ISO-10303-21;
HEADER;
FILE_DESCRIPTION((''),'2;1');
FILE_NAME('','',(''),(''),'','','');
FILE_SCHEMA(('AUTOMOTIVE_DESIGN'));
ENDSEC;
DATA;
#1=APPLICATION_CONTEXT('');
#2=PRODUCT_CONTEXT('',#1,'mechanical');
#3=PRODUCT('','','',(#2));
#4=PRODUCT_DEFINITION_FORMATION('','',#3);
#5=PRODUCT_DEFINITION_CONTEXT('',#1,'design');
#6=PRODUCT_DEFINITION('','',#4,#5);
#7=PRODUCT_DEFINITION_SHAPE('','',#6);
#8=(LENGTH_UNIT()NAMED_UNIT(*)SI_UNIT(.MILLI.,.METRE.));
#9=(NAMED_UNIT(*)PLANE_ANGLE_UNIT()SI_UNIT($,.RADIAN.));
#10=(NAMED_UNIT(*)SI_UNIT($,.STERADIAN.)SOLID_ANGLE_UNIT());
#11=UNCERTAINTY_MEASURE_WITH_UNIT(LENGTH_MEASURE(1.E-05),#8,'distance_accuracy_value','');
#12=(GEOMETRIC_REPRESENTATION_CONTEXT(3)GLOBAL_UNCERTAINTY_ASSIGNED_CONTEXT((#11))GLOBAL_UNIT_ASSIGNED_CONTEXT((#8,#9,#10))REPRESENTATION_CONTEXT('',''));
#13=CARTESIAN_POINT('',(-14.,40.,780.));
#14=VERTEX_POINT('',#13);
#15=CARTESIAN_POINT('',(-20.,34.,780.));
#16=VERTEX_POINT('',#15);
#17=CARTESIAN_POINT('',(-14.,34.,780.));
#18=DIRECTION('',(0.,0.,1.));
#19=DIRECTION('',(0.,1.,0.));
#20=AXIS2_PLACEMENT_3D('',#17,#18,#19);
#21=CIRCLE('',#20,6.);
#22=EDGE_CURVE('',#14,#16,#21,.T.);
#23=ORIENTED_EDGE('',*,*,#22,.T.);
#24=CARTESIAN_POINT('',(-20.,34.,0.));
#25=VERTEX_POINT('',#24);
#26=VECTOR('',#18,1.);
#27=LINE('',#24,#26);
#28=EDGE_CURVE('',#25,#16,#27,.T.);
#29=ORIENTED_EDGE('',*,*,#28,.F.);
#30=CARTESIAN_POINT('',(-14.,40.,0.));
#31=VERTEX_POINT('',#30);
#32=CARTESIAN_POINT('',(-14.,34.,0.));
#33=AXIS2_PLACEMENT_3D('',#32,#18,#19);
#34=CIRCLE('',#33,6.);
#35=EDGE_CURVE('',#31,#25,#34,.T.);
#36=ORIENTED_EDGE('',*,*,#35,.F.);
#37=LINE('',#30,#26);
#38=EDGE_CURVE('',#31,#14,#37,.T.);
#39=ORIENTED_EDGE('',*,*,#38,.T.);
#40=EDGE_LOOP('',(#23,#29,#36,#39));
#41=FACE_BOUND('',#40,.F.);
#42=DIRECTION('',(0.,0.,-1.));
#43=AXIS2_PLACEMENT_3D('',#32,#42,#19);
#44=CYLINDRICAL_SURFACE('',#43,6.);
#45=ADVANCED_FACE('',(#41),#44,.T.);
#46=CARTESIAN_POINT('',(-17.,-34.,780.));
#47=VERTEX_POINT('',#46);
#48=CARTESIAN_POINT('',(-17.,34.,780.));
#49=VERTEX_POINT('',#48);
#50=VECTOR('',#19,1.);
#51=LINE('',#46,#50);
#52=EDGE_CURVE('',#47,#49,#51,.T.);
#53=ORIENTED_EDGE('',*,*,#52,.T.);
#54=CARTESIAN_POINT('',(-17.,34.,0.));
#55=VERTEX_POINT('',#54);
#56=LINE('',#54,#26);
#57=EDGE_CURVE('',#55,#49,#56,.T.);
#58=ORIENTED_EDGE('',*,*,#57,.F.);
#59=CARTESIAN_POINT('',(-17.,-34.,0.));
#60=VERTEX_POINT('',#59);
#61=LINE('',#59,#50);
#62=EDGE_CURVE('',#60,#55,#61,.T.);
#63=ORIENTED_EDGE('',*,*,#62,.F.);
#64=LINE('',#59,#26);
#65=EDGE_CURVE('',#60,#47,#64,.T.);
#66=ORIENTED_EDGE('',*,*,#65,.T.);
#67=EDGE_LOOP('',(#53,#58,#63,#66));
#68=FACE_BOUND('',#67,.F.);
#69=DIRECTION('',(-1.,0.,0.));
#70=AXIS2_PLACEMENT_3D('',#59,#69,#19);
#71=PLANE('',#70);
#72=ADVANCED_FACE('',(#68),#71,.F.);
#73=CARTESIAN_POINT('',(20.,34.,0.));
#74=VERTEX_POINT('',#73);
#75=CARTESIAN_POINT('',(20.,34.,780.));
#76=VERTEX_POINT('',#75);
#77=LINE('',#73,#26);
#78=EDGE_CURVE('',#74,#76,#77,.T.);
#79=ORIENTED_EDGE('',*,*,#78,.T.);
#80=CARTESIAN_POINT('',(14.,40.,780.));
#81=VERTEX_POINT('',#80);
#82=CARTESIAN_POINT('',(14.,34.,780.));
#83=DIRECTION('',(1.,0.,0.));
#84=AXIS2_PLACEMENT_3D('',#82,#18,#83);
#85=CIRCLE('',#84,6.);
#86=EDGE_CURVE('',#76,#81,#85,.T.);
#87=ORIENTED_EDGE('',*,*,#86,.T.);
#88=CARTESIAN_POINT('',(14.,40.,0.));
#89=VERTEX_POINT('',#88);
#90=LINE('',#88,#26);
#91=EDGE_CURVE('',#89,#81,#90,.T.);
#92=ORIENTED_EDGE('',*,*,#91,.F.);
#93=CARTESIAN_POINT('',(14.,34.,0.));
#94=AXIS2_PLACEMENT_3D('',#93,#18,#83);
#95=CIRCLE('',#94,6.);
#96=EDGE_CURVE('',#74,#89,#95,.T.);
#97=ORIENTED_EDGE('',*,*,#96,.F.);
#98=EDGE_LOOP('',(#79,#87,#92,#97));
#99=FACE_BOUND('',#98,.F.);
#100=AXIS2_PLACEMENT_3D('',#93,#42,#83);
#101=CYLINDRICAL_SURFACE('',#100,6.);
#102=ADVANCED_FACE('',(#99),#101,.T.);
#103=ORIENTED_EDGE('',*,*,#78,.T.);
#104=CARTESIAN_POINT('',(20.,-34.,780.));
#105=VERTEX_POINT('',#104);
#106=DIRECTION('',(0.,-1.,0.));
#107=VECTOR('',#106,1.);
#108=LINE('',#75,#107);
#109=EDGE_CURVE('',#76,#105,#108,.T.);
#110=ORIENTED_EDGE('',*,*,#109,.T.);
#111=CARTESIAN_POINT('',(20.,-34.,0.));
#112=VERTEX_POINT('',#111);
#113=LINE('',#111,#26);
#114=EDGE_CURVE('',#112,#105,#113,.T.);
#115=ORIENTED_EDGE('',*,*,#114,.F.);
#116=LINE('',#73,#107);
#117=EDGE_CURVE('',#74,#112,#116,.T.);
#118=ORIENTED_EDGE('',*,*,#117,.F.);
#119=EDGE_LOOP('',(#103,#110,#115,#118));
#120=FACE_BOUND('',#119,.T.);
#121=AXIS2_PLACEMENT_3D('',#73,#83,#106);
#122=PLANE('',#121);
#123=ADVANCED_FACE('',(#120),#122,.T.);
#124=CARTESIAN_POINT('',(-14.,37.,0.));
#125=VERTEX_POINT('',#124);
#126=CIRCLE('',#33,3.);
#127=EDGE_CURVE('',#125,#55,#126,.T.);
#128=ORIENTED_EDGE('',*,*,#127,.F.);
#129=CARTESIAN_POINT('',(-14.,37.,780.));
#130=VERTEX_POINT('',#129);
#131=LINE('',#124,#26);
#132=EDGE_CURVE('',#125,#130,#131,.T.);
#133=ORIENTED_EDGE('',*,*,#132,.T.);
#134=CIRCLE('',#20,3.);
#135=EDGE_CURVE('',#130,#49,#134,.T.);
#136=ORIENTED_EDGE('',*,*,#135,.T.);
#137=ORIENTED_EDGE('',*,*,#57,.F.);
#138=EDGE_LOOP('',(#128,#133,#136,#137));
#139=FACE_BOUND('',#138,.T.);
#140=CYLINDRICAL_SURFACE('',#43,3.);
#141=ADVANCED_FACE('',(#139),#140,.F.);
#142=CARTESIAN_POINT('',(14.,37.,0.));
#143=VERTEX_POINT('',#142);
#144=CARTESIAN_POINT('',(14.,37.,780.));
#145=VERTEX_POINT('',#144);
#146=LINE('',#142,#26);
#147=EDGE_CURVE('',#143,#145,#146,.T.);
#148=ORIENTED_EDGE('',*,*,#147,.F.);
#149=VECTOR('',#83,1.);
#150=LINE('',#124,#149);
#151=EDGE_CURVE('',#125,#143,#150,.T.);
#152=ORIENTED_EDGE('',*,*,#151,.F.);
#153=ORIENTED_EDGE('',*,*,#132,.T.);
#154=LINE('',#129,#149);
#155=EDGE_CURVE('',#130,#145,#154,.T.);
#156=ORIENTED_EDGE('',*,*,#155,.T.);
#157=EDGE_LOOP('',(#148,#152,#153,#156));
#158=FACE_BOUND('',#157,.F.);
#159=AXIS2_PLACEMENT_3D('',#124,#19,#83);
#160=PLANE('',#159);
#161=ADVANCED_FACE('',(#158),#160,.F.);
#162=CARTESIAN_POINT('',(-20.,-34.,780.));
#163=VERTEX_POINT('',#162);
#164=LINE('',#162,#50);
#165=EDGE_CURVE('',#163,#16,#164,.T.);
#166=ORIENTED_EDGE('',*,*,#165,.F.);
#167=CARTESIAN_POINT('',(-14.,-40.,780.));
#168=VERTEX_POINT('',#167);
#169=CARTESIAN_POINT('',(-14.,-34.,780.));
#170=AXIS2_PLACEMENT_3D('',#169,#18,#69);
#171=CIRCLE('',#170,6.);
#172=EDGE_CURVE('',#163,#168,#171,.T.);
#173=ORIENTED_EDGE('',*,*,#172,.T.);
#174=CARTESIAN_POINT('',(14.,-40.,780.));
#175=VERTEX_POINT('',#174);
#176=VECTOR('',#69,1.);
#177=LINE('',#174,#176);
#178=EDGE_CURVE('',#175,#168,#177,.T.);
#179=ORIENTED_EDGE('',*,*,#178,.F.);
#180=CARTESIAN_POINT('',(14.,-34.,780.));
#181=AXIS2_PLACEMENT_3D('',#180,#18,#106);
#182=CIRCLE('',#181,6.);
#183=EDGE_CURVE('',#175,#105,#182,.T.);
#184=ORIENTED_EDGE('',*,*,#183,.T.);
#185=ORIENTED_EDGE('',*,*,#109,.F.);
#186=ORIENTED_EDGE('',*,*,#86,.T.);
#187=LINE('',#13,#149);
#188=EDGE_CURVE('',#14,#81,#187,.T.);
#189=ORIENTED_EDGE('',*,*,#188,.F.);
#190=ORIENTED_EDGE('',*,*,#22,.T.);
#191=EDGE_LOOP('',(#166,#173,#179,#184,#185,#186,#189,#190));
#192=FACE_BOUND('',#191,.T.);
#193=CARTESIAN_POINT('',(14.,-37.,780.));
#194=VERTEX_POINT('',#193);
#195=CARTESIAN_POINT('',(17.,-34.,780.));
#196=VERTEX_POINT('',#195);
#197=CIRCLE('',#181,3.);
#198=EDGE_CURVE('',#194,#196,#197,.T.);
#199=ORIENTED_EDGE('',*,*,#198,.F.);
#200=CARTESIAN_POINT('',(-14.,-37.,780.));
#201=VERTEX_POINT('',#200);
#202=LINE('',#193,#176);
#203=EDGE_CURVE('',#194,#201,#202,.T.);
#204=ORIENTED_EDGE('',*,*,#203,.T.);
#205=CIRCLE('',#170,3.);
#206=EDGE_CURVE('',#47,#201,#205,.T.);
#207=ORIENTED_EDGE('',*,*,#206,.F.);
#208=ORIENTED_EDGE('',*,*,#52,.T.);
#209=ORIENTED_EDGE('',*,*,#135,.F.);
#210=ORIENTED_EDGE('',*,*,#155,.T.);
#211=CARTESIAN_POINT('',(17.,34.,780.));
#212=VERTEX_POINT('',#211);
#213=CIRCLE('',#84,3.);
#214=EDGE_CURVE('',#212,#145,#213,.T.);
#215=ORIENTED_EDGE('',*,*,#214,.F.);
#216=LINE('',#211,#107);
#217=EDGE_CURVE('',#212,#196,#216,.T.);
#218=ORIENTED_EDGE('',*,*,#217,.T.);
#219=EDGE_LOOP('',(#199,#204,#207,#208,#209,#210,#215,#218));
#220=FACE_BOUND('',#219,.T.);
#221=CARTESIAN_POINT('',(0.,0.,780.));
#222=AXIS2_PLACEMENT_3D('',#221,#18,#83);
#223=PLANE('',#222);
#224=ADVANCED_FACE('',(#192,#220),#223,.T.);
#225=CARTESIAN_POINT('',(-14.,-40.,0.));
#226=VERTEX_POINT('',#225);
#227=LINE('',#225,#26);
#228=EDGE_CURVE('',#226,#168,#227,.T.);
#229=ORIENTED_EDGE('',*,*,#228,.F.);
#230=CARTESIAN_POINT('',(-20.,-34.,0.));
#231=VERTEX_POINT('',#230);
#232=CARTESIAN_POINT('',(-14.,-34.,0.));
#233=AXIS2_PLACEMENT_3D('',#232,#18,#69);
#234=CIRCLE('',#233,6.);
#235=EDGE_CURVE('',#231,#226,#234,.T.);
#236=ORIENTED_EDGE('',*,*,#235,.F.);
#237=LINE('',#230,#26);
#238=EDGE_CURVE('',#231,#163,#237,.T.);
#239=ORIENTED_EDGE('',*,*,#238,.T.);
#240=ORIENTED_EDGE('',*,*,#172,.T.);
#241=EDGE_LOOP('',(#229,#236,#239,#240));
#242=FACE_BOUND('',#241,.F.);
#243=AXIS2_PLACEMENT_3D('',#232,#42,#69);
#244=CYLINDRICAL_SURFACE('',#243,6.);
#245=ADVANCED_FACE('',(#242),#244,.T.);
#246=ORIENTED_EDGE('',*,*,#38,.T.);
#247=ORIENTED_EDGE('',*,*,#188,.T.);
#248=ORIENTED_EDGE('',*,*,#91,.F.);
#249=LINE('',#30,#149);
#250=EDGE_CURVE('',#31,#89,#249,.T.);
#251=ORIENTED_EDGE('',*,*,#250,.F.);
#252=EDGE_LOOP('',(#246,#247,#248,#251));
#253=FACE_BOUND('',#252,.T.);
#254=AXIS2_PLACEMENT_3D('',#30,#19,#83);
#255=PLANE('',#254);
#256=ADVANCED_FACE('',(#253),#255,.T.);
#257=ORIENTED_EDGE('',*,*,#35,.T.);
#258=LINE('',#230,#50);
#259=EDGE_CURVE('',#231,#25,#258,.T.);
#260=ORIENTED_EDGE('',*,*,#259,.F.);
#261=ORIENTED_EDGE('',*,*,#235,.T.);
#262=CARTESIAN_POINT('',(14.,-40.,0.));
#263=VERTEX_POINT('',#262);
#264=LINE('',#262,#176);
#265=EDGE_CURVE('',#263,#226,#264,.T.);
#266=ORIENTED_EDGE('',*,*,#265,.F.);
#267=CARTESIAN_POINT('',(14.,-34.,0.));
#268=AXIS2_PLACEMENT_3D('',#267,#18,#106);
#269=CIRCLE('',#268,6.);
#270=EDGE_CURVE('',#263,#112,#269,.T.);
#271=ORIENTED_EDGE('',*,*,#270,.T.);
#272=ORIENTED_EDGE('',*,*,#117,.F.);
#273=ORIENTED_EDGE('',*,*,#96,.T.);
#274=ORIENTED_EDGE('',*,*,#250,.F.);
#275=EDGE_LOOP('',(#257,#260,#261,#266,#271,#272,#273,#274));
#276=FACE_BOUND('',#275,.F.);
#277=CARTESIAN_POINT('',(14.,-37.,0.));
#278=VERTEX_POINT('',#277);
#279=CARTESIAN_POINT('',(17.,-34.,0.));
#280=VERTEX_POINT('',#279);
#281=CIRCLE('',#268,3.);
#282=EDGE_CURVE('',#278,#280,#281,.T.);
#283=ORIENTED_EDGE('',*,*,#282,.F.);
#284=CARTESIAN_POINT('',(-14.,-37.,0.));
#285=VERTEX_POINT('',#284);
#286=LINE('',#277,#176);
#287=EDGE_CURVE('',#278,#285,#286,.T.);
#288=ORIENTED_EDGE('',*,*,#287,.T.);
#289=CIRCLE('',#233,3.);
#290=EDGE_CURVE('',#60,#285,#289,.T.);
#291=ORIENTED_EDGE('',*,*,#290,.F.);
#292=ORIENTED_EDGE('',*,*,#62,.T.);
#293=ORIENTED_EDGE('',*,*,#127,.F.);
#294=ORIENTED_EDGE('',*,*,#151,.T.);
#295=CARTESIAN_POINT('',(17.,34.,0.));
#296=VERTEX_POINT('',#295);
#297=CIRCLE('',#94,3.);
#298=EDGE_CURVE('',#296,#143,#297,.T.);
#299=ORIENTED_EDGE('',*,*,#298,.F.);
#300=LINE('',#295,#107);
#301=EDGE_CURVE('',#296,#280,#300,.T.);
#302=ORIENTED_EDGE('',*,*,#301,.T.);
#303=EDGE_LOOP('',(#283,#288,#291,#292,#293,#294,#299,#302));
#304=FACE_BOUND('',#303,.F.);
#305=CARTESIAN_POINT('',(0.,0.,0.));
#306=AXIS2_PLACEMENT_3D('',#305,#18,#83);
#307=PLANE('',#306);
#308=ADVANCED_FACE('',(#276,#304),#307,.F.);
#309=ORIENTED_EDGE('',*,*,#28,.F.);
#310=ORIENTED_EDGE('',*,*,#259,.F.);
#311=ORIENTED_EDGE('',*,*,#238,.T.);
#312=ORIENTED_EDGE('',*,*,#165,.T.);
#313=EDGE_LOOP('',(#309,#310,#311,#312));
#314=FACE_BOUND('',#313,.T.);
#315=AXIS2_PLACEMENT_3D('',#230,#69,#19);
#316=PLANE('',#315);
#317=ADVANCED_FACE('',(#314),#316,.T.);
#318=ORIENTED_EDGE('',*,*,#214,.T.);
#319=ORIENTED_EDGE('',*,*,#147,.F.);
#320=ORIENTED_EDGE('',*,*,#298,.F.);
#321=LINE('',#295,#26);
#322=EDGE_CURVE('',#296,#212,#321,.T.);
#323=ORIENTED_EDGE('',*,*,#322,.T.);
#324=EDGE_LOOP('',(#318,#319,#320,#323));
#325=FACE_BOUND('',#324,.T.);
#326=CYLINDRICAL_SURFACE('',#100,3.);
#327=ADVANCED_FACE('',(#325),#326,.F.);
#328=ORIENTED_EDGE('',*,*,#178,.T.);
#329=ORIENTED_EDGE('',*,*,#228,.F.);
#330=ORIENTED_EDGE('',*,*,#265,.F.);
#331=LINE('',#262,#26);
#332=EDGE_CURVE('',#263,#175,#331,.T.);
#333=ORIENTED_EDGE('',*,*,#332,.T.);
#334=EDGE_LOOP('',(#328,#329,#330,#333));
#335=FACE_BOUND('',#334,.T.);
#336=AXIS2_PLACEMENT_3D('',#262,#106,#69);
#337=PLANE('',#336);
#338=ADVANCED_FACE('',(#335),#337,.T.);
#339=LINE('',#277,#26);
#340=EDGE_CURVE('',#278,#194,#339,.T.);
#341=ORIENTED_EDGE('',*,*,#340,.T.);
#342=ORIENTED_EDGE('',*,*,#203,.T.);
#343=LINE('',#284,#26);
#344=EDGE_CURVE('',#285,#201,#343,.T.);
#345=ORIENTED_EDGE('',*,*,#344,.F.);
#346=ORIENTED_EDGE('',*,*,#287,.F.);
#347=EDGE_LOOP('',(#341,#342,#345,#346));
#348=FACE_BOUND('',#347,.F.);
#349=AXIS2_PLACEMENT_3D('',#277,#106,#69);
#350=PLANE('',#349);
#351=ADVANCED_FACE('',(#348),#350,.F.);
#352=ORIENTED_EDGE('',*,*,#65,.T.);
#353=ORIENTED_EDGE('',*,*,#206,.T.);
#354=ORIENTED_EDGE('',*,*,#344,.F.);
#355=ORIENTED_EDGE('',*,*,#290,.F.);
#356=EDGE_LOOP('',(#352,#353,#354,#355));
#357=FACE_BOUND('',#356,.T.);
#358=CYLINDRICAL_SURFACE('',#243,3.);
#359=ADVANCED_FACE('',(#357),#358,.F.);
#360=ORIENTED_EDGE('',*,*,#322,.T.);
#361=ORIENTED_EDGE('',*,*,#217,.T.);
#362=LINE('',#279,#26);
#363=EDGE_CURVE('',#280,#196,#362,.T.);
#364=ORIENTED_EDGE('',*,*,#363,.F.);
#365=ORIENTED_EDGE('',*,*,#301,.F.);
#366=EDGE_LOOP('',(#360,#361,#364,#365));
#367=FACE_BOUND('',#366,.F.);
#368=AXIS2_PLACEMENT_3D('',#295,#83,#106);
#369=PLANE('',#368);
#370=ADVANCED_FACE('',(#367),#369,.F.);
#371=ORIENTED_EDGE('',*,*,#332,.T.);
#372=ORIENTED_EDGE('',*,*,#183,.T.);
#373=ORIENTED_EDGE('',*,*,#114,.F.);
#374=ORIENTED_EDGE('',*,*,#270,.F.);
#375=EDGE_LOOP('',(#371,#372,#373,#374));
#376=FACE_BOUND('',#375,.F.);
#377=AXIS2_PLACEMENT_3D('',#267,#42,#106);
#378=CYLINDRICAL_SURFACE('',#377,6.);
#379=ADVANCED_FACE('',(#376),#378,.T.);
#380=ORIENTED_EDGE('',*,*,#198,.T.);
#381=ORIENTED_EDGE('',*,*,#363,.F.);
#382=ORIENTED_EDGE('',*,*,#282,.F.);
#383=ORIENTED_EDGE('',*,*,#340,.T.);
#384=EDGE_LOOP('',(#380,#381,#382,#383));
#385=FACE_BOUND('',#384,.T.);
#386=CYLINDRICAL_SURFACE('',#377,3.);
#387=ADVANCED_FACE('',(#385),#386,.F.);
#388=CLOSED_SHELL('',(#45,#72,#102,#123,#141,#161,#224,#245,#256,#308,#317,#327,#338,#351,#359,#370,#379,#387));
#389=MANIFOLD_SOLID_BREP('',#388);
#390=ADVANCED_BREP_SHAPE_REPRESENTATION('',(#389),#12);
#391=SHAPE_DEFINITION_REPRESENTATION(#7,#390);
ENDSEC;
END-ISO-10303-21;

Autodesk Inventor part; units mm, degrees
ref_plane "YZ Plane" through (0, 0, 0) normal (1, 0, 0) x (0, 1, 0)
ref_plane "Start Plane" through (0, 0, 0) normal (0, 0, 1) x (1, 0, 0)
ref_plane "End Plane" through (0, 0, 780) normal (0, 0, 1) x (1, 0, 0)
sketch "Sketch" plane through (0, 0, 0) normal (0, 0, 1) x (1, 0, 0)
  line L0 (-20, -34) -> (-20, 34)
  line L1 (-14, 40) -> (14, 40)
  line L2 (20, 34) -> (20, -34)
  line L3 (14, -40) -> (-14, -40)
  arc A0 (-20, -34) -> (-14, -40) centre (-14, -34) ccw
  arc A1 (20, 34) -> (14, 40) centre (14, 34) ccw
  arc A2 (-14, 40) -> (-20, 34) centre (-14, 34) ccw
  arc A3 (14, -40) -> (20, -34) centre (14, -34) ccw
  arc A4 (-14, 37) -> (-17, 34) centre (-14, 34) ccw
  line L4 (-14, 37) -> (14, 37)
  arc A5 (17, 34) -> (14, 37) centre (14, 34) ccw
  line L5 (17, 34) -> (17, -34)
  arc A6 (14, -37) -> (17, -34) centre (14, -34) ccw
  line L6 (14, -37) -> (-14, -37)
  arc A7 (-17, -34) -> (-14, -37) centre (-14, -34) ccw
  line L7 (-17, -34) -> (-17, 34)
  line L8 (0, 57.7397) -> (0, -57.7397) construction
  line L9 (-29.7397, 0) -> (29.7397, 0) construction
  dimension "d7" = 6
  dimension "d9" = 40
  dimension "d11" = 80
  dimension "d12" = 3
  dimension "d15" = 20
  dimension "d16" = 40
extrude "Body" add sketch "Sketch" along normal up to surface (780 mm away) from surface at 0
sketch "Sketch3" plane through (0, 0, 0) normal (0, 0, 1) x (1, 0, 0)
  line L0 (0, 0) -> (10, 0)
ref_plane "Work Plane3" through (0, 0, 0) normal (0, -1, 0) x (1, 0, 0)
sketch "Sketch4" plane through (0, 0, 0) normal (0, -1, 0) x (1, 0, 0)
  line L0 (-2, 0) -> (12, 0) projected
  line L1 (-2, 780) -> (12, 780) projected
  dimension "d18" = 780
equation "\"d7\" = G_IR"
equation "\"d9\" = G_W"
equation "\"d11\" = G_H"
equation "\"d12\" = G_T"
equation "\"d15\" = 0.5 * d9"
equation "\"d16\" = 0.5 * d11"
equation "\"d3\" = G_L"
equation "\"G_W\" = 40"
equation "\"G_H\" = 80"
equation "\"G_T\" = 3"
equation "\"G_IR\" = 6"
equation "\"G_L\" = d18"
equation "\"G_OFFSET_START\" = 0"
equation "\"G_OFFSET_END\" = 0"
properties part number "ISO 10799-2 - 80x40x3 - 780" material "Steel, Mild"
